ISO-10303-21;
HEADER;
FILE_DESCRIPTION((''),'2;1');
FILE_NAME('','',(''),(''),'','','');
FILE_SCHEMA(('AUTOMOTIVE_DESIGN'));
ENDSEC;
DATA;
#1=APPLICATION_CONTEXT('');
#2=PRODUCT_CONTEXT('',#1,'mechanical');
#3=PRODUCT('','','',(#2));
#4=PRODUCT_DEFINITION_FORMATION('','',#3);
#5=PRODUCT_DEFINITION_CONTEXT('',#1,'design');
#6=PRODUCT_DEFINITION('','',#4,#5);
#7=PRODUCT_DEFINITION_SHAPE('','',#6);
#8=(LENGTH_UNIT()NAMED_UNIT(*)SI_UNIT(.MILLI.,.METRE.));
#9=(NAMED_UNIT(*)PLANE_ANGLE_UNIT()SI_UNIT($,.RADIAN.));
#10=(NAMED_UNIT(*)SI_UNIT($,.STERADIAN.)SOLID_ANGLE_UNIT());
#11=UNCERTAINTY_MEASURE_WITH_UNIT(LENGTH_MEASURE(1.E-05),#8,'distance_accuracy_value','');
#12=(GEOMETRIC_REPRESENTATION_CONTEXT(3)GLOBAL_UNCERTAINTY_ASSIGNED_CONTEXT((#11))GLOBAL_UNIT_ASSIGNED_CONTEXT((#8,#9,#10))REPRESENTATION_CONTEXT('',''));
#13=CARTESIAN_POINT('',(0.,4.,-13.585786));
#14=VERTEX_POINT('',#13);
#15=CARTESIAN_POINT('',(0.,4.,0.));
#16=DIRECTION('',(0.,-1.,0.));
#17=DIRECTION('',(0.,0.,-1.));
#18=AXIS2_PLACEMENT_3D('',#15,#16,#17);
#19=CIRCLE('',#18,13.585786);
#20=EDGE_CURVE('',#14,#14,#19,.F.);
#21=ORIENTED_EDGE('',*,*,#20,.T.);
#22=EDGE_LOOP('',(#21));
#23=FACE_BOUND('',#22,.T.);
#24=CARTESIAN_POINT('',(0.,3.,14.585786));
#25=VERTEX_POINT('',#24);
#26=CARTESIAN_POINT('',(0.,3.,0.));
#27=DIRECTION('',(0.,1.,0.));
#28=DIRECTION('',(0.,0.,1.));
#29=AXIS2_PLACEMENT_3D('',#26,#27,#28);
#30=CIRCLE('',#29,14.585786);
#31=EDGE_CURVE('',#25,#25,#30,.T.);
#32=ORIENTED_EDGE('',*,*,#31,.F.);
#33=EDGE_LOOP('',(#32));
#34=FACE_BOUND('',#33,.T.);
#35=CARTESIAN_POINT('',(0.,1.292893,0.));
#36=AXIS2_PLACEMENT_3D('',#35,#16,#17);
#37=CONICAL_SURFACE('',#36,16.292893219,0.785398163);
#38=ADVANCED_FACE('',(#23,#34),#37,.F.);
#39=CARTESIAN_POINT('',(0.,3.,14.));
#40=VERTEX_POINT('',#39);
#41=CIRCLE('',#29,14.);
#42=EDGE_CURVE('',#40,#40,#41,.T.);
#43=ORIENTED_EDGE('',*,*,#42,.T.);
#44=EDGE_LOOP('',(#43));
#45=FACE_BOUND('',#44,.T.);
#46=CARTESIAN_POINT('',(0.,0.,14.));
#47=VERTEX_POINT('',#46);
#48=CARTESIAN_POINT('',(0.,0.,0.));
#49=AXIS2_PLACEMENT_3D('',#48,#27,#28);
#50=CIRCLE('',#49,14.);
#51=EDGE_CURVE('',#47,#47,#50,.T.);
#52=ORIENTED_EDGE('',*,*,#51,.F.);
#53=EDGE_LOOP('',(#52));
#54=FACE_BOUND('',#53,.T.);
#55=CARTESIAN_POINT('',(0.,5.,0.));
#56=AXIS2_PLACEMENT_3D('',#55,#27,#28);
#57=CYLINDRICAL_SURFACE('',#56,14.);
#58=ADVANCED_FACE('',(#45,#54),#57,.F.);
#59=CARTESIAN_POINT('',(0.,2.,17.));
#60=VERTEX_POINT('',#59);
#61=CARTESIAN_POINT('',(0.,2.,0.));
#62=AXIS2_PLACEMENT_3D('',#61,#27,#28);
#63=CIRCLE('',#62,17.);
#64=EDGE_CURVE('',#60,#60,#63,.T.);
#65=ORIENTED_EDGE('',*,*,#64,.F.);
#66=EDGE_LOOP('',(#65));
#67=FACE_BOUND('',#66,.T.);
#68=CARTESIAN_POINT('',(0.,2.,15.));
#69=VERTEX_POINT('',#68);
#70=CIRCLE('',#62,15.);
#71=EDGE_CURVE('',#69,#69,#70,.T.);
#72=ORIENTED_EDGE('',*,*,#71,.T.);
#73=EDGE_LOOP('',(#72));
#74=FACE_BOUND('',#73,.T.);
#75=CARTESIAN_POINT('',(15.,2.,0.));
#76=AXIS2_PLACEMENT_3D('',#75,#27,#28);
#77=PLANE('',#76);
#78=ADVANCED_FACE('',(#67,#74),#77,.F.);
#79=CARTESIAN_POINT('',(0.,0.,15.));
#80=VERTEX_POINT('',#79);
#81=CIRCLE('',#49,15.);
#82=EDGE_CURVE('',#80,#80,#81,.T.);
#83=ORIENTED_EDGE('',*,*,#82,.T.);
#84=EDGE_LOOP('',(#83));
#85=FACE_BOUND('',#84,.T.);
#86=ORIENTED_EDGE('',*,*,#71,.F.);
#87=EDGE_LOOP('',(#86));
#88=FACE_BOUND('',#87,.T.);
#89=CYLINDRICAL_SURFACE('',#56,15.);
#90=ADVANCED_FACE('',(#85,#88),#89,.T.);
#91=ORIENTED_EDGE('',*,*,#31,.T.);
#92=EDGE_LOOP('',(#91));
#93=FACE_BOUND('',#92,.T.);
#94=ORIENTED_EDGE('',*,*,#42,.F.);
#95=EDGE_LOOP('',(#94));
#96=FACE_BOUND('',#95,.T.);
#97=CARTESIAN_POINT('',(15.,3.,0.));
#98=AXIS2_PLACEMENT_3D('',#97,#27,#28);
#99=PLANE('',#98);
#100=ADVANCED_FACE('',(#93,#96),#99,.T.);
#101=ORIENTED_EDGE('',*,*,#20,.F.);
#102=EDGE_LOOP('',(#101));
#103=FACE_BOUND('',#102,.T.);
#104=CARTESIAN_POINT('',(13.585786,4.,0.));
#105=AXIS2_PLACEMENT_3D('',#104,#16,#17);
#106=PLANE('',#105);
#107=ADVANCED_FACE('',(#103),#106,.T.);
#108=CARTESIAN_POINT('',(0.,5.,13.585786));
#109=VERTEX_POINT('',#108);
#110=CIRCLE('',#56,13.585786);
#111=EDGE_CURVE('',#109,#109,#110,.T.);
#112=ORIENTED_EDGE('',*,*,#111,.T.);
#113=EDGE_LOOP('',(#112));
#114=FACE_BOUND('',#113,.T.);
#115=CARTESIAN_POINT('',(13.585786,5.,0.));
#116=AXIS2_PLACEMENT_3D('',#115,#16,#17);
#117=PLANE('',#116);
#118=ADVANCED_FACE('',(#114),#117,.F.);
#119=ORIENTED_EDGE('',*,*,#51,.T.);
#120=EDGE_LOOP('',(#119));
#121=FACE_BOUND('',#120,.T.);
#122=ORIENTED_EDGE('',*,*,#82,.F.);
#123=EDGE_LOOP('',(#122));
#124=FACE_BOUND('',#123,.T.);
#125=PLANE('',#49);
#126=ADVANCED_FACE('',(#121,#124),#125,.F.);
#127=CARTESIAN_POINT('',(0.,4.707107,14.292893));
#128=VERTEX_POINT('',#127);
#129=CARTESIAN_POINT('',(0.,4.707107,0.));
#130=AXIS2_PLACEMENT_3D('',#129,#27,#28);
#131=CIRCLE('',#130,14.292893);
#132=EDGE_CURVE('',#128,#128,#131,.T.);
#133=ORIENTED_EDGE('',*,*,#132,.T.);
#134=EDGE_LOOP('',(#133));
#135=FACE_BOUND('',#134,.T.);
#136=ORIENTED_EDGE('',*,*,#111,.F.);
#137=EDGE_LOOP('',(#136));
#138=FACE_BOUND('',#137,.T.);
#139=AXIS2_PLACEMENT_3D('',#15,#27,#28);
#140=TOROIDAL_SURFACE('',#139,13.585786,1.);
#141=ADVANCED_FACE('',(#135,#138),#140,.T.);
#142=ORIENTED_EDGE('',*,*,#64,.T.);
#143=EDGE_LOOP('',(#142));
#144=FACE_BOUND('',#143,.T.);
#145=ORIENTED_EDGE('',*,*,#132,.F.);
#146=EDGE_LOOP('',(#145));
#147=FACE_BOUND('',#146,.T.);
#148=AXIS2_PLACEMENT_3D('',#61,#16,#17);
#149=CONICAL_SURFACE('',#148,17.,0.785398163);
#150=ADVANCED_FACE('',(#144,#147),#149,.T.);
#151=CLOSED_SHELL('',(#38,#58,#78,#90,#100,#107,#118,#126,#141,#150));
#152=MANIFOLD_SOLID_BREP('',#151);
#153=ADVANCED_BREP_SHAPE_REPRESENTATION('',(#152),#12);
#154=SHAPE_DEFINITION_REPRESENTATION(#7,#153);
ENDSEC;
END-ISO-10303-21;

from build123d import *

# Parameters (mm, degrees)
SHELL1_T = -1


with BuildPart() as part:
    # Sketch2 → Revolve1 (revolve)
    with BuildSketch(Plane.XY, mode=Mode.PRIVATE) as revolve1_sk:
        with BuildLine():
            Line((15, 0), (15, 2))
            Line((15, 2), (17, 2))
            Line((17, 2), (14.292893219, 4.707106781))
            ThreePointArc((14.292893219, 4.707106781), (13.96846987, 4.923879533), (13.585786438, 5))
            Line((13.585786438, 5), (0, 5))
            Line((0, 5), (0, 0))
            Line((0, 0), (15, 0))
        make_face()
    revolve(revolve1_sk.sketch.rotate(Axis((0, 5, 0), (0, -1, 0)), 90), axis=Axis((0, 5, 0), (0, -1, 0)))

    # Shell1
    shell1_openings = [part.faces().sort_by_distance(p)[0] for p in [
        (0, 0, 0),
    ]]
    offset(amount=SHELL1_T, openings=shell1_openings, kind=Kind.INTERSECTION)


solid = part.part
